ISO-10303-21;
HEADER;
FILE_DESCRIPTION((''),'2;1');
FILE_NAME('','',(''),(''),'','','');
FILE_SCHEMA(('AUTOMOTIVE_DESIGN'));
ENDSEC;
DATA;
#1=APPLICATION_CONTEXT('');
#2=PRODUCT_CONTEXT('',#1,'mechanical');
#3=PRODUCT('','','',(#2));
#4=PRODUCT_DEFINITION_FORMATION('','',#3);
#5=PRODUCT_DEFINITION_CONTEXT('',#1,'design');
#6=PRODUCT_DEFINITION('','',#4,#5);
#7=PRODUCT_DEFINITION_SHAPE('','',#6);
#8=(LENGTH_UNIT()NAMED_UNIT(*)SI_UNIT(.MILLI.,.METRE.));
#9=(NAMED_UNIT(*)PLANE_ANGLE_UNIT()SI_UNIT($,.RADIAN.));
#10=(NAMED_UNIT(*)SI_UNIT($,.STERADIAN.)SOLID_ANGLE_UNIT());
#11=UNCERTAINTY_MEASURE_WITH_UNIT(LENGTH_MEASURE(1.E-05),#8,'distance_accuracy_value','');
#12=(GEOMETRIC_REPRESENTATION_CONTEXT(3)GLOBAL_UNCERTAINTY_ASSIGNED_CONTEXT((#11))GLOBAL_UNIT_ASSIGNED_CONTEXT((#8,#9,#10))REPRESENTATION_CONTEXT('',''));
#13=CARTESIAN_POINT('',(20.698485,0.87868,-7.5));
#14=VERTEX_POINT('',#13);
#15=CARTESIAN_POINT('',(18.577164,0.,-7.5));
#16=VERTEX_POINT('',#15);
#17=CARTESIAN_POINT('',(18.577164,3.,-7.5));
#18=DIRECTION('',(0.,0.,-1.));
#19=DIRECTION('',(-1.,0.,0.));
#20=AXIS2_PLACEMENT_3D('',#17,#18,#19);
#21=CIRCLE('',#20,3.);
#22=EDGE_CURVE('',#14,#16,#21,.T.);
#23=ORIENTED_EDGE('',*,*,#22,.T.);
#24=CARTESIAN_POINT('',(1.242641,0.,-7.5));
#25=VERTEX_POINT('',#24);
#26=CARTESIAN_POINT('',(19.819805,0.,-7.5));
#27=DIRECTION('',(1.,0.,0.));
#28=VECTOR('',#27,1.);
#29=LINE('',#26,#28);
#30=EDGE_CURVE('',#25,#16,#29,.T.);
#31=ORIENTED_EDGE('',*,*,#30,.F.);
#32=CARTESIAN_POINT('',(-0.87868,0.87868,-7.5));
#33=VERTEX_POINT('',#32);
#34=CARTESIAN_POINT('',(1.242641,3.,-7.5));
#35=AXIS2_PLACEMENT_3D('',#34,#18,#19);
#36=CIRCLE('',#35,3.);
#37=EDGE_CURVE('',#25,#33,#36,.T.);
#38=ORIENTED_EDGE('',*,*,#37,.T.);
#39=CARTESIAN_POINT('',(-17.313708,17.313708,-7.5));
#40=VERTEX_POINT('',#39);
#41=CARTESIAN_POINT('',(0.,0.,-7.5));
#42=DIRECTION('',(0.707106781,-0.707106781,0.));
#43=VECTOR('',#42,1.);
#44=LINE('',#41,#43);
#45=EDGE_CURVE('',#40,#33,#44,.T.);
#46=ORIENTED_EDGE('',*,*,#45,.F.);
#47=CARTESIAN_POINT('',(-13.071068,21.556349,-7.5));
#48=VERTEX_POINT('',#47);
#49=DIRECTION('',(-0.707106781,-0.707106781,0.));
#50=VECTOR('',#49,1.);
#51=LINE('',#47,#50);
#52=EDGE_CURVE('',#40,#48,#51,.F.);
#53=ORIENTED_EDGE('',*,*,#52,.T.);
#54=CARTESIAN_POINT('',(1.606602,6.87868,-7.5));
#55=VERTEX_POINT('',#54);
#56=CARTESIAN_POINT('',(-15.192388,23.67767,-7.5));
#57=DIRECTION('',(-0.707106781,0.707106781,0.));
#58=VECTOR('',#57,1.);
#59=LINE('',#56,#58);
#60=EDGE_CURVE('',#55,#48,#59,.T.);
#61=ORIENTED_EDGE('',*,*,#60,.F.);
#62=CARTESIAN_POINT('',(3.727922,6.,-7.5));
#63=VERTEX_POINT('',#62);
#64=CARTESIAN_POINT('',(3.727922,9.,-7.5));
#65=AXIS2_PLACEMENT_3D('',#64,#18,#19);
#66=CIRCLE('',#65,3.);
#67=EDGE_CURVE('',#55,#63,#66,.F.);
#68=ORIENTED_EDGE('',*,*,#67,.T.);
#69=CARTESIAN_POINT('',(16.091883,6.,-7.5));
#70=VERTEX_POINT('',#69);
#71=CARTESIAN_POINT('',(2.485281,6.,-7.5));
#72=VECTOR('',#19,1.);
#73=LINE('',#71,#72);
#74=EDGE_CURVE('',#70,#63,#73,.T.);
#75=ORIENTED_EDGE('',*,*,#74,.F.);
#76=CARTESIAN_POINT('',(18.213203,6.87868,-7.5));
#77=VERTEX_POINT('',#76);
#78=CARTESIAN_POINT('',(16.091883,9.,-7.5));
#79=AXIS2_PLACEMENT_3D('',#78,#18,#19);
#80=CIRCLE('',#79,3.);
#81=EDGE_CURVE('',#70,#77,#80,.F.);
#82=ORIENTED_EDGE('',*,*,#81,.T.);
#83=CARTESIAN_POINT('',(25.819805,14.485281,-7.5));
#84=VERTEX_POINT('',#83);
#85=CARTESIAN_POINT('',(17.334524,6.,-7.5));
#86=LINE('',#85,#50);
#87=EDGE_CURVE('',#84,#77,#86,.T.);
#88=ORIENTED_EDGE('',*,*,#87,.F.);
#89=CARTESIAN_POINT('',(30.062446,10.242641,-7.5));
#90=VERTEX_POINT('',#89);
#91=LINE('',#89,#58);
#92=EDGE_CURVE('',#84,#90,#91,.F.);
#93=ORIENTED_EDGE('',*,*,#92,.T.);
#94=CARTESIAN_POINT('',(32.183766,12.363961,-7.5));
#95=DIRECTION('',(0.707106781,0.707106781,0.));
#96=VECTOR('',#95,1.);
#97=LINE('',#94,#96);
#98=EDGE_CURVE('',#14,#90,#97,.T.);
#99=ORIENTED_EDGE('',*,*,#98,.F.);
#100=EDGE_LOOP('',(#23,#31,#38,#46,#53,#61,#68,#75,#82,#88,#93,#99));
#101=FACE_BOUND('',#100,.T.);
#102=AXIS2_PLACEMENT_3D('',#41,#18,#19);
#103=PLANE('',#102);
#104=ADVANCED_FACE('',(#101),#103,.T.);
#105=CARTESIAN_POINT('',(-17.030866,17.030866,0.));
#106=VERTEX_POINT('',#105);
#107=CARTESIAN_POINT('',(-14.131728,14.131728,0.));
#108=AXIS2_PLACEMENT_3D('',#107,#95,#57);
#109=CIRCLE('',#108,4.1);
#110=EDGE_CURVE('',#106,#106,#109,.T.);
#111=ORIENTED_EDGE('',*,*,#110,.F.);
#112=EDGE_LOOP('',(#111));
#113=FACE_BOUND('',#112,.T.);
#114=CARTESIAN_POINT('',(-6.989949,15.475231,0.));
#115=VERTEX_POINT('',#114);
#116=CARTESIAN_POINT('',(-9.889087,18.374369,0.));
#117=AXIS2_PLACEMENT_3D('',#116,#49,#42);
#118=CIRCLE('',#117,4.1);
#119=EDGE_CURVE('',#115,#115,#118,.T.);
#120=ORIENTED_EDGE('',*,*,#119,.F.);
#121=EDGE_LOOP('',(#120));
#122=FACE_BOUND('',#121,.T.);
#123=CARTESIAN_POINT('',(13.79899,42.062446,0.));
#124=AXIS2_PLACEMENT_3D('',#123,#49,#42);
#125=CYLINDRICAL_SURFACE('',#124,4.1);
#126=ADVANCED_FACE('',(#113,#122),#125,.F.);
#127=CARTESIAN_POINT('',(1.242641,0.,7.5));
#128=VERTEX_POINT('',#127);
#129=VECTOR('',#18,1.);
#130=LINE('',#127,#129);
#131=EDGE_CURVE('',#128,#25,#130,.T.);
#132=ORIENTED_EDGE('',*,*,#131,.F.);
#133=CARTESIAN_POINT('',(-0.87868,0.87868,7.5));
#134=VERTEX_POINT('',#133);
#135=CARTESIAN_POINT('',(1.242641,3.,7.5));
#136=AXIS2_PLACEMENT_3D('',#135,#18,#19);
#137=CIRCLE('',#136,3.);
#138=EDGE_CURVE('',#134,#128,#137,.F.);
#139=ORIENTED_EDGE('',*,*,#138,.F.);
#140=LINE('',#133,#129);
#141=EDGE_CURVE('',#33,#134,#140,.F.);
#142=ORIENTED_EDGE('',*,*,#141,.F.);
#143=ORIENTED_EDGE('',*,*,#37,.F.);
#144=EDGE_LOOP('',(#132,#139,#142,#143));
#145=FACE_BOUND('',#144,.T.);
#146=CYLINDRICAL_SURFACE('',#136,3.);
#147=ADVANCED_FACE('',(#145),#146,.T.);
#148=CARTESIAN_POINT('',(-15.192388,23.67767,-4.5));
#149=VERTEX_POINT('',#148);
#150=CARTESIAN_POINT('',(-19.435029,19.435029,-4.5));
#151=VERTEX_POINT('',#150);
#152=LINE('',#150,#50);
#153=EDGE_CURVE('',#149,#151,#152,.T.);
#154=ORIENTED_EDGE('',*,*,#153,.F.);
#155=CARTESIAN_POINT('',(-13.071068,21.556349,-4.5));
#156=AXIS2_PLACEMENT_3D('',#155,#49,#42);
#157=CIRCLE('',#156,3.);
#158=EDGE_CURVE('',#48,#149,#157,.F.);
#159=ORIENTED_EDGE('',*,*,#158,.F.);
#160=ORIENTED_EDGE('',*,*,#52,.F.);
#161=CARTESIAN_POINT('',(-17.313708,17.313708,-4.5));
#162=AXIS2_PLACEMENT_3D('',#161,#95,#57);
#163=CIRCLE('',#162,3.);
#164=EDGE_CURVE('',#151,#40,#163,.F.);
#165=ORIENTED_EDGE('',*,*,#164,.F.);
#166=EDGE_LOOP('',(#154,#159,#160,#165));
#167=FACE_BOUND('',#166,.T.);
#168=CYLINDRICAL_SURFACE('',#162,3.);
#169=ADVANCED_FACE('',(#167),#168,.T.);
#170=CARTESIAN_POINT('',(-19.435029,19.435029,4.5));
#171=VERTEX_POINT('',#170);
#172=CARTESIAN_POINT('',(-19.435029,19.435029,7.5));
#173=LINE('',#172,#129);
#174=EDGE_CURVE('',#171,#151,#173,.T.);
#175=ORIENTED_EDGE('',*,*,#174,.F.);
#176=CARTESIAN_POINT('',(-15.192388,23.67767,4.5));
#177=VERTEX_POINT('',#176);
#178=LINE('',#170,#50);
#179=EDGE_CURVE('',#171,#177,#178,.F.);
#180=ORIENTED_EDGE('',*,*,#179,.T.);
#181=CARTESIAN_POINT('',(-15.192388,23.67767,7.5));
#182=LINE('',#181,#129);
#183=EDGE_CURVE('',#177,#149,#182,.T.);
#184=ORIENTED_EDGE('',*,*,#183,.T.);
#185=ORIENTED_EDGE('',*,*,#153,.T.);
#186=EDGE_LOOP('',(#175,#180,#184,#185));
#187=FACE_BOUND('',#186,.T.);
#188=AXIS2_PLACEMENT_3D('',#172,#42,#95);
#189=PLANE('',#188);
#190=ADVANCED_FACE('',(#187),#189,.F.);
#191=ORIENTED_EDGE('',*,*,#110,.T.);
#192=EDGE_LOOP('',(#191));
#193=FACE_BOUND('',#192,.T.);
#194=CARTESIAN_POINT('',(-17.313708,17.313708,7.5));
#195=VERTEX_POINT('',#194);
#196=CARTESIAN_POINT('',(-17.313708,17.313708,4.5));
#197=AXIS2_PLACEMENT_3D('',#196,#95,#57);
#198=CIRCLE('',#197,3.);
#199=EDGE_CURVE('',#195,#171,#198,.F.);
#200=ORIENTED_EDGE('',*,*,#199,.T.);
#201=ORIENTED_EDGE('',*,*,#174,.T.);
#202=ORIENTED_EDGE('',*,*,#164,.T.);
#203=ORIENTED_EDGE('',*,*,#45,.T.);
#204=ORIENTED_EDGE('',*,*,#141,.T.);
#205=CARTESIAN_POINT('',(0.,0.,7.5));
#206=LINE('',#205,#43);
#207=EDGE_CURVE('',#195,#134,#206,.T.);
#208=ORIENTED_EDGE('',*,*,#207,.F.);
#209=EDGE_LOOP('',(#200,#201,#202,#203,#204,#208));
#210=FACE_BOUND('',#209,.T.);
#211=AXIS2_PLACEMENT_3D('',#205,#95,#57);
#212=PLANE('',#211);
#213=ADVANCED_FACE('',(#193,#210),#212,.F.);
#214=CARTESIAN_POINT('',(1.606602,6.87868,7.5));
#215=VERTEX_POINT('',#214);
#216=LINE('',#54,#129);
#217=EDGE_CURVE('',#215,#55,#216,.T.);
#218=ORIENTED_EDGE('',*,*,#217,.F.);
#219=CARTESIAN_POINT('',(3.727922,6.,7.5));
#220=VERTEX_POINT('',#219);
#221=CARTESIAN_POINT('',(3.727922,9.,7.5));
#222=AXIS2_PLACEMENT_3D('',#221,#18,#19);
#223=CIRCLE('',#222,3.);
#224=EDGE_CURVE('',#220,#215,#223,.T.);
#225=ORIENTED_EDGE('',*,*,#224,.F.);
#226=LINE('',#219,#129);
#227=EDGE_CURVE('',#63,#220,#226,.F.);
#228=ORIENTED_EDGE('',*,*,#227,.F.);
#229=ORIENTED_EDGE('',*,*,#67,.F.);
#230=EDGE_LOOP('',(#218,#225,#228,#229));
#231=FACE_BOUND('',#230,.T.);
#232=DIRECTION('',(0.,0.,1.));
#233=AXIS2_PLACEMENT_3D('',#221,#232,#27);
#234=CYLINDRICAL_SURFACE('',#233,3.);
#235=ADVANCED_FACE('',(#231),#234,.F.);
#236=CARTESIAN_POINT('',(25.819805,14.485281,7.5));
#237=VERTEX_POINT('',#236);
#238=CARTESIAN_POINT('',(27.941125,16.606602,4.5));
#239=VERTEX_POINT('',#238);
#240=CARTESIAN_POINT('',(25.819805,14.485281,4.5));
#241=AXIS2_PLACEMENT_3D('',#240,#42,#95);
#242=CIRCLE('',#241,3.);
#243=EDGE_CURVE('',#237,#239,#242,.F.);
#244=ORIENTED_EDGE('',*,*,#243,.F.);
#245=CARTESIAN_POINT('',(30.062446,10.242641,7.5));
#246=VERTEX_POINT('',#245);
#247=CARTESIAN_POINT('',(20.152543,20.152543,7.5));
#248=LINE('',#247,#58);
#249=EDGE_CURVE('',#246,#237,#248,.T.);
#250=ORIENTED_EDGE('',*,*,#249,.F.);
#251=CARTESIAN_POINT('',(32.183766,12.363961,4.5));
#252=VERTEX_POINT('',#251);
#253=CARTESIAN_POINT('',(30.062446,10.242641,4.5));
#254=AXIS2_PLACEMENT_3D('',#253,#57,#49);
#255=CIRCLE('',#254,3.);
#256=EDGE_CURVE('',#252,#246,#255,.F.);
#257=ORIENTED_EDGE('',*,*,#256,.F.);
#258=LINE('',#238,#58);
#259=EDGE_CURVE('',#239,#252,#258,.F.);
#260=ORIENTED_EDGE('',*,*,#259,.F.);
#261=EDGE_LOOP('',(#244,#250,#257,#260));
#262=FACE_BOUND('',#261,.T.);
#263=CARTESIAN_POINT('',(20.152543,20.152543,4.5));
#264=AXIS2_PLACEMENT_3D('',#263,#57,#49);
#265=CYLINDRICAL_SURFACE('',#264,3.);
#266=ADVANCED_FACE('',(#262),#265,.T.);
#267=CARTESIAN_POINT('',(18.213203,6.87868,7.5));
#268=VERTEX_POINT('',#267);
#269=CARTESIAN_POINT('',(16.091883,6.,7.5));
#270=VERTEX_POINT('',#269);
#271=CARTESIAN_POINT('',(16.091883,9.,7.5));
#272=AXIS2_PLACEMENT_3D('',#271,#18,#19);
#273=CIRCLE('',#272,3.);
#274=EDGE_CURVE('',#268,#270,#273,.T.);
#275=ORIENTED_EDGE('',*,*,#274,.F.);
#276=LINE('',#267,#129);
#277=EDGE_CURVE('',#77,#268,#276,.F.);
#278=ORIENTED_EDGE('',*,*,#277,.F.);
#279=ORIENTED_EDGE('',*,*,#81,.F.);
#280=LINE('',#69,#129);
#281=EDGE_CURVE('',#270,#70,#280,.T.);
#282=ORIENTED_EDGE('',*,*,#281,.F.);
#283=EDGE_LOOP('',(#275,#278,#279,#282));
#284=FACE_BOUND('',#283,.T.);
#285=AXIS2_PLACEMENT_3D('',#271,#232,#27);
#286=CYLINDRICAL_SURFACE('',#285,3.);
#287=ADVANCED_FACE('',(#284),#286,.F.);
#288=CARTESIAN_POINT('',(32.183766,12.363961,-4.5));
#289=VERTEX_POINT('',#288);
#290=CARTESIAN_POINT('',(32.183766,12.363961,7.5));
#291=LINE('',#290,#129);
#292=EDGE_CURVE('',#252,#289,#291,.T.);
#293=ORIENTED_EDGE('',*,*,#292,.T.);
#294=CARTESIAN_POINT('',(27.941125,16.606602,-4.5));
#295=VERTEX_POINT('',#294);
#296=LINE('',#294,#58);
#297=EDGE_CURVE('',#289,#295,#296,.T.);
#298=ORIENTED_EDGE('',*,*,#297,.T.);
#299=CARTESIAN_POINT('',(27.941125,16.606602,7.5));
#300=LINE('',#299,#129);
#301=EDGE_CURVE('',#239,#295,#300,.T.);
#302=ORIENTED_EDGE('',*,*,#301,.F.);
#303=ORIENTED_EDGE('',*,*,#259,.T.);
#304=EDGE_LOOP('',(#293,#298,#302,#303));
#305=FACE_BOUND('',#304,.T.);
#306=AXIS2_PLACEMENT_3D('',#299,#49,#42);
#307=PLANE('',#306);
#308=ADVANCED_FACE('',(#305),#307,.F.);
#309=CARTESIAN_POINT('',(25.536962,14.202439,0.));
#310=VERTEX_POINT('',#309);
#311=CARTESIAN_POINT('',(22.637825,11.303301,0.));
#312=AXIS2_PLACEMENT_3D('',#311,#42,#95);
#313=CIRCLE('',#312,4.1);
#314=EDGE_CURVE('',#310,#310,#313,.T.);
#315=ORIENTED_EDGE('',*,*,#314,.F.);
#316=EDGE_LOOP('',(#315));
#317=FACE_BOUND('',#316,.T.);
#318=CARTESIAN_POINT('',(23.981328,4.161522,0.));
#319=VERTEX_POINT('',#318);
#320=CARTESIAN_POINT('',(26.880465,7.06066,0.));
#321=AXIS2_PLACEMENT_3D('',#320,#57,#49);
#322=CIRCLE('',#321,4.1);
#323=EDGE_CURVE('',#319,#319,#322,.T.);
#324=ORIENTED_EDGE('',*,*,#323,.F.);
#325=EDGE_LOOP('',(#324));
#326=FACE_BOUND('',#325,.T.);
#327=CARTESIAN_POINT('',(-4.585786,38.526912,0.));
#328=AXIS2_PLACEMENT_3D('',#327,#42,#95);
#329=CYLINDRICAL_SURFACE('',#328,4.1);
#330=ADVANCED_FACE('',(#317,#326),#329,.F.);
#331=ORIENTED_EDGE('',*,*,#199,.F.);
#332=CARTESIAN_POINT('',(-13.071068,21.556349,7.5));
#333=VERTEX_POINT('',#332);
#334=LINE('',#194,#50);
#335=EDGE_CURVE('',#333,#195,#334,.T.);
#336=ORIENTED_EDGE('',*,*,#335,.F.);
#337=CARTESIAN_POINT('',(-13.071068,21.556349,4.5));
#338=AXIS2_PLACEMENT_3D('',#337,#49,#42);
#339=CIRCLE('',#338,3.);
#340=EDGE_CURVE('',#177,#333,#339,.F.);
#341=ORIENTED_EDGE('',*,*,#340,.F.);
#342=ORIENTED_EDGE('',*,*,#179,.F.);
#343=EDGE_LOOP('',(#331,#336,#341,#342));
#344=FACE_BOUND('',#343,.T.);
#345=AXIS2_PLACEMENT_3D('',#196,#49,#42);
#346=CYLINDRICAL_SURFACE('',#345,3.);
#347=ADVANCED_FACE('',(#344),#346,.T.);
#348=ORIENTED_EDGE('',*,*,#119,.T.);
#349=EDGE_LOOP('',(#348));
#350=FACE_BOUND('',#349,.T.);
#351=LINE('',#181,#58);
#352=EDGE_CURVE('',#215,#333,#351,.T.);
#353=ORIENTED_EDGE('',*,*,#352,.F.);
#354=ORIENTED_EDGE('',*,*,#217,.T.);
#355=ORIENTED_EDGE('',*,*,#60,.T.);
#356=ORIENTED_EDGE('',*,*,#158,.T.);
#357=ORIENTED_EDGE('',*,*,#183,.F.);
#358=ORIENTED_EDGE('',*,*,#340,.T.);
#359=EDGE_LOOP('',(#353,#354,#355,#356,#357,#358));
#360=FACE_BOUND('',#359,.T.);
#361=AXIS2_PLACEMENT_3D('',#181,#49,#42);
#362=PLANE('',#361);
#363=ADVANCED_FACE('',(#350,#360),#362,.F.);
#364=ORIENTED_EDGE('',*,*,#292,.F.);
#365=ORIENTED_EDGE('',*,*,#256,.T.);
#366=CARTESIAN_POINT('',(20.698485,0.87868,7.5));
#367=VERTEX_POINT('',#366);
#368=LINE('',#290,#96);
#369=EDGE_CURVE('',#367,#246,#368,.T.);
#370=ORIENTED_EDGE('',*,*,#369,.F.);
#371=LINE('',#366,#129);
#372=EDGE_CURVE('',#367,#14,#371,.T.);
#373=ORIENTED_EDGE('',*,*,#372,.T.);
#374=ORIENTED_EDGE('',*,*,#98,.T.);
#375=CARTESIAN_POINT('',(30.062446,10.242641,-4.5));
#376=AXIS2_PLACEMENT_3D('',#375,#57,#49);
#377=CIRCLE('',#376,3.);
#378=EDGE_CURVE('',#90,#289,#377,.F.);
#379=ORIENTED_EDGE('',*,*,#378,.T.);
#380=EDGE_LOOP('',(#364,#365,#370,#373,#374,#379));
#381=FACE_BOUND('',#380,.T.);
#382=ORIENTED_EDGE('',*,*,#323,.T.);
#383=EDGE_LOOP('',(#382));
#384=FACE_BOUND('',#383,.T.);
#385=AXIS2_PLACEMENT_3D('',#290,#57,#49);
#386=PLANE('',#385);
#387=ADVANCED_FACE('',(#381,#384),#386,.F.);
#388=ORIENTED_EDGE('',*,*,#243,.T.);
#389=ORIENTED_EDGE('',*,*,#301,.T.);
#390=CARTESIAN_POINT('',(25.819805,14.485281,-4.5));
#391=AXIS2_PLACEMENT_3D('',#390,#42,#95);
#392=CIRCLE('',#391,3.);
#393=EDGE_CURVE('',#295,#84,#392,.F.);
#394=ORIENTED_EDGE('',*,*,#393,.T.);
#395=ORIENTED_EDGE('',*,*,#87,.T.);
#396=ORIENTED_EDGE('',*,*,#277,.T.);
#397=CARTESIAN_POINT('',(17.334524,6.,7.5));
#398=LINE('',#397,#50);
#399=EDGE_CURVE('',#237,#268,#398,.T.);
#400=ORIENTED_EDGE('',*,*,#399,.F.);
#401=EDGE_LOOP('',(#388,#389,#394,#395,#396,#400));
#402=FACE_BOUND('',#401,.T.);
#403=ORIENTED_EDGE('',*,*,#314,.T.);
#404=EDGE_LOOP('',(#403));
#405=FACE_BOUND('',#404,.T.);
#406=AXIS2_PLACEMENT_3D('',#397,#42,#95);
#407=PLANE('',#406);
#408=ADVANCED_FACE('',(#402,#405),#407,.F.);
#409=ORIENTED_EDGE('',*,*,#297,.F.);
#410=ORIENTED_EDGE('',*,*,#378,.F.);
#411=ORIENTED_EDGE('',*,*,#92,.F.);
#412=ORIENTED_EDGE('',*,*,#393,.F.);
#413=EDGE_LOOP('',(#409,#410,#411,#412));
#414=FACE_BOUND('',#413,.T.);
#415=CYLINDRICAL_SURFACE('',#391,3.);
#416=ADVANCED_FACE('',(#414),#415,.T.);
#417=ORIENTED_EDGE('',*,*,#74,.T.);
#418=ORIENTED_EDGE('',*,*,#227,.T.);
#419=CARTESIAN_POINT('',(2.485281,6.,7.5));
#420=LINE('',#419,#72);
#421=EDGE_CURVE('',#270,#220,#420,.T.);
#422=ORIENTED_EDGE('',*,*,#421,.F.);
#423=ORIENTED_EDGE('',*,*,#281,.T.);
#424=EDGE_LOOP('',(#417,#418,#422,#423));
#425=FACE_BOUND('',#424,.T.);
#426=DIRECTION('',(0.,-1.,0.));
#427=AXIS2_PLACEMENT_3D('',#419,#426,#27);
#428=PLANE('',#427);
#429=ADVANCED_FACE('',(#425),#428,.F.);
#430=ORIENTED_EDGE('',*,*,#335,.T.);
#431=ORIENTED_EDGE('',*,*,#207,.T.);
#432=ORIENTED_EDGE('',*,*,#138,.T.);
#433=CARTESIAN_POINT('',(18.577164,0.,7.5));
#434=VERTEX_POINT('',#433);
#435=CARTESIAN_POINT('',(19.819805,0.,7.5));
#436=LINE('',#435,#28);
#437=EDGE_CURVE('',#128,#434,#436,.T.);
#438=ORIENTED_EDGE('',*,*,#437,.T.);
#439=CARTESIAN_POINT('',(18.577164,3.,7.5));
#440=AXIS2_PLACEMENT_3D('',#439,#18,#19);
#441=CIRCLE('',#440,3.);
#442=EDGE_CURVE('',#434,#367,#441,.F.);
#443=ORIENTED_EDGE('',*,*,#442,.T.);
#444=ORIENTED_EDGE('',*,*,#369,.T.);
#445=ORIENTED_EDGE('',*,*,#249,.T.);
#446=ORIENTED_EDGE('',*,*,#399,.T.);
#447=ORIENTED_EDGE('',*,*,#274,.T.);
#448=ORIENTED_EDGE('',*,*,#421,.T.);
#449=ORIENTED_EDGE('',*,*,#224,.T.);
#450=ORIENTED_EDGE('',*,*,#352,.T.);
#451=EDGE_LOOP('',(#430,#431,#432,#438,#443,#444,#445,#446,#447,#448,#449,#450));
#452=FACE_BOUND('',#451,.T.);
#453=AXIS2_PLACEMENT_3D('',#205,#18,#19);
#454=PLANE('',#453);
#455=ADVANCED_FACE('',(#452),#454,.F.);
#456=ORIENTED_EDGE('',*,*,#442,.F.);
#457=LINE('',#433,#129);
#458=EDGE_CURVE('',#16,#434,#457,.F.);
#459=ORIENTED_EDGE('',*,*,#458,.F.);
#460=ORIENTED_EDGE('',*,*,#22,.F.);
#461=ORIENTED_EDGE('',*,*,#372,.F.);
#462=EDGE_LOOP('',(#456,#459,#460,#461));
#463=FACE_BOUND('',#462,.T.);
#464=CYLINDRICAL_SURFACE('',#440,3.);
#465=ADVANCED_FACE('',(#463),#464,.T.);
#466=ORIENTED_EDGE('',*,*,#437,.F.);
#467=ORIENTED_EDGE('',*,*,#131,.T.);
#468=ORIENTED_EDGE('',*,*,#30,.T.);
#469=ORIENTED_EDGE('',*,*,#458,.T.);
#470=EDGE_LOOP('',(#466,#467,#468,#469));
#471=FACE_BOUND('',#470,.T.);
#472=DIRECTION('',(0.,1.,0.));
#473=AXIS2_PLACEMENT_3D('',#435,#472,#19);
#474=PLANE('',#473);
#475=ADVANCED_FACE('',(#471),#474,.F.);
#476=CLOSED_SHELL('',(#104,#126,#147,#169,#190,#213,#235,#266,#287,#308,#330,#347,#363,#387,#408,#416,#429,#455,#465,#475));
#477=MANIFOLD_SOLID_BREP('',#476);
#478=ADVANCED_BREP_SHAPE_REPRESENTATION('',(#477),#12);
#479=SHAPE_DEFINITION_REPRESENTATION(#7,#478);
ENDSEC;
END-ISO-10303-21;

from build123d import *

# Parameters (mm, degrees)
EXTRUDE_1_DEPTH          = 7.5
CUT_EXTRUDE_1_DEPTH      = 41.653128295
CUT_EXTRUDE_1_DEPTH_BACK = 41.653128295
SKETCH_2_R               = 4.1
CUT_EXTRUDE_2_DEPTH      = 46.227204203
CUT_EXTRUDE_2_DEPTH_BACK = 46.227204203
SKETCH_3_R               = 4.1
FILLET_1_R               = 3


with BuildPart() as part:
    # ｽｹｯﾁ1 → ﾎﾞｽ - 押し出し1 (new, symmetric)
    with BuildSketch(Plane.XY):
        Polygon((0, 0), (-19.435028843, 19.435028843), (-15.192388155, 23.67766953), (2.485281374, 6), (17.334523779, 6), (27.941125497, 16.606601718), (32.183766184, 12.363961031), (19.819805153, 0), align=None)
    extrude(amount=EXTRUDE_1_DEPTH, both=True)

    # ｽｹｯﾁ2 → ｶｯﾄ - 押し出し1 (cut, two sides: drawn at the far end of the back side and taken through both)
    with BuildSketch(Plane(origin=(0, 0, 0), x_dir=(0, 0, 1), z_dir=(-0.7071067811865487, -0.7071067811865464, 0)).offset(-CUT_EXTRUDE_1_DEPTH_BACK)):
        with Locations(Location((0, 19.985281374, 0), (0, 0, 270))):
            Circle(SKETCH_2_R)
    extrude(amount=CUT_EXTRUDE_1_DEPTH + CUT_EXTRUDE_1_DEPTH_BACK, mode=Mode.SUBTRACT)

    # ｽｹｯﾁ3 → ｶｯﾄ - 押し出し2 (cut, two sides: drawn at the far end of the back side and taken through both)
    with BuildSketch(Plane(origin=(9.909902577, -9.909902577, 0), x_dir=(0, 0, -1), z_dir=(0.707106781186549, -0.7071067811865461, 0)).offset(-CUT_EXTRUDE_2_DEPTH_BACK)):
        with Locations(Location((0, 24, 0), (0, 0, 90))):
            Circle(SKETCH_3_R)
    extrude(amount=CUT_EXTRUDE_2_DEPTH + CUT_EXTRUDE_2_DEPTH_BACK, mode=Mode.SUBTRACT)

    # ﾌｨﾚｯﾄ1
    fillet_1_edges = [part.edges().sort_by_distance(p)[0] for p in [
        (30.062445841, 14.485281374, -7.5),
        (30.062445841, 14.485281374, 7.5),
        (0, 0, 0),
        (2.485281374, 6, 0),
        (17.334523779, 6, 0),
        (19.819805153, 0, 0),
        (-17.313708499, 21.556349186, 7.5),
        (-17.313708499, 21.556349186, -7.5),
    ]]
    fillet(fillet_1_edges, radius=FILLET_1_R)


solid = part.part
